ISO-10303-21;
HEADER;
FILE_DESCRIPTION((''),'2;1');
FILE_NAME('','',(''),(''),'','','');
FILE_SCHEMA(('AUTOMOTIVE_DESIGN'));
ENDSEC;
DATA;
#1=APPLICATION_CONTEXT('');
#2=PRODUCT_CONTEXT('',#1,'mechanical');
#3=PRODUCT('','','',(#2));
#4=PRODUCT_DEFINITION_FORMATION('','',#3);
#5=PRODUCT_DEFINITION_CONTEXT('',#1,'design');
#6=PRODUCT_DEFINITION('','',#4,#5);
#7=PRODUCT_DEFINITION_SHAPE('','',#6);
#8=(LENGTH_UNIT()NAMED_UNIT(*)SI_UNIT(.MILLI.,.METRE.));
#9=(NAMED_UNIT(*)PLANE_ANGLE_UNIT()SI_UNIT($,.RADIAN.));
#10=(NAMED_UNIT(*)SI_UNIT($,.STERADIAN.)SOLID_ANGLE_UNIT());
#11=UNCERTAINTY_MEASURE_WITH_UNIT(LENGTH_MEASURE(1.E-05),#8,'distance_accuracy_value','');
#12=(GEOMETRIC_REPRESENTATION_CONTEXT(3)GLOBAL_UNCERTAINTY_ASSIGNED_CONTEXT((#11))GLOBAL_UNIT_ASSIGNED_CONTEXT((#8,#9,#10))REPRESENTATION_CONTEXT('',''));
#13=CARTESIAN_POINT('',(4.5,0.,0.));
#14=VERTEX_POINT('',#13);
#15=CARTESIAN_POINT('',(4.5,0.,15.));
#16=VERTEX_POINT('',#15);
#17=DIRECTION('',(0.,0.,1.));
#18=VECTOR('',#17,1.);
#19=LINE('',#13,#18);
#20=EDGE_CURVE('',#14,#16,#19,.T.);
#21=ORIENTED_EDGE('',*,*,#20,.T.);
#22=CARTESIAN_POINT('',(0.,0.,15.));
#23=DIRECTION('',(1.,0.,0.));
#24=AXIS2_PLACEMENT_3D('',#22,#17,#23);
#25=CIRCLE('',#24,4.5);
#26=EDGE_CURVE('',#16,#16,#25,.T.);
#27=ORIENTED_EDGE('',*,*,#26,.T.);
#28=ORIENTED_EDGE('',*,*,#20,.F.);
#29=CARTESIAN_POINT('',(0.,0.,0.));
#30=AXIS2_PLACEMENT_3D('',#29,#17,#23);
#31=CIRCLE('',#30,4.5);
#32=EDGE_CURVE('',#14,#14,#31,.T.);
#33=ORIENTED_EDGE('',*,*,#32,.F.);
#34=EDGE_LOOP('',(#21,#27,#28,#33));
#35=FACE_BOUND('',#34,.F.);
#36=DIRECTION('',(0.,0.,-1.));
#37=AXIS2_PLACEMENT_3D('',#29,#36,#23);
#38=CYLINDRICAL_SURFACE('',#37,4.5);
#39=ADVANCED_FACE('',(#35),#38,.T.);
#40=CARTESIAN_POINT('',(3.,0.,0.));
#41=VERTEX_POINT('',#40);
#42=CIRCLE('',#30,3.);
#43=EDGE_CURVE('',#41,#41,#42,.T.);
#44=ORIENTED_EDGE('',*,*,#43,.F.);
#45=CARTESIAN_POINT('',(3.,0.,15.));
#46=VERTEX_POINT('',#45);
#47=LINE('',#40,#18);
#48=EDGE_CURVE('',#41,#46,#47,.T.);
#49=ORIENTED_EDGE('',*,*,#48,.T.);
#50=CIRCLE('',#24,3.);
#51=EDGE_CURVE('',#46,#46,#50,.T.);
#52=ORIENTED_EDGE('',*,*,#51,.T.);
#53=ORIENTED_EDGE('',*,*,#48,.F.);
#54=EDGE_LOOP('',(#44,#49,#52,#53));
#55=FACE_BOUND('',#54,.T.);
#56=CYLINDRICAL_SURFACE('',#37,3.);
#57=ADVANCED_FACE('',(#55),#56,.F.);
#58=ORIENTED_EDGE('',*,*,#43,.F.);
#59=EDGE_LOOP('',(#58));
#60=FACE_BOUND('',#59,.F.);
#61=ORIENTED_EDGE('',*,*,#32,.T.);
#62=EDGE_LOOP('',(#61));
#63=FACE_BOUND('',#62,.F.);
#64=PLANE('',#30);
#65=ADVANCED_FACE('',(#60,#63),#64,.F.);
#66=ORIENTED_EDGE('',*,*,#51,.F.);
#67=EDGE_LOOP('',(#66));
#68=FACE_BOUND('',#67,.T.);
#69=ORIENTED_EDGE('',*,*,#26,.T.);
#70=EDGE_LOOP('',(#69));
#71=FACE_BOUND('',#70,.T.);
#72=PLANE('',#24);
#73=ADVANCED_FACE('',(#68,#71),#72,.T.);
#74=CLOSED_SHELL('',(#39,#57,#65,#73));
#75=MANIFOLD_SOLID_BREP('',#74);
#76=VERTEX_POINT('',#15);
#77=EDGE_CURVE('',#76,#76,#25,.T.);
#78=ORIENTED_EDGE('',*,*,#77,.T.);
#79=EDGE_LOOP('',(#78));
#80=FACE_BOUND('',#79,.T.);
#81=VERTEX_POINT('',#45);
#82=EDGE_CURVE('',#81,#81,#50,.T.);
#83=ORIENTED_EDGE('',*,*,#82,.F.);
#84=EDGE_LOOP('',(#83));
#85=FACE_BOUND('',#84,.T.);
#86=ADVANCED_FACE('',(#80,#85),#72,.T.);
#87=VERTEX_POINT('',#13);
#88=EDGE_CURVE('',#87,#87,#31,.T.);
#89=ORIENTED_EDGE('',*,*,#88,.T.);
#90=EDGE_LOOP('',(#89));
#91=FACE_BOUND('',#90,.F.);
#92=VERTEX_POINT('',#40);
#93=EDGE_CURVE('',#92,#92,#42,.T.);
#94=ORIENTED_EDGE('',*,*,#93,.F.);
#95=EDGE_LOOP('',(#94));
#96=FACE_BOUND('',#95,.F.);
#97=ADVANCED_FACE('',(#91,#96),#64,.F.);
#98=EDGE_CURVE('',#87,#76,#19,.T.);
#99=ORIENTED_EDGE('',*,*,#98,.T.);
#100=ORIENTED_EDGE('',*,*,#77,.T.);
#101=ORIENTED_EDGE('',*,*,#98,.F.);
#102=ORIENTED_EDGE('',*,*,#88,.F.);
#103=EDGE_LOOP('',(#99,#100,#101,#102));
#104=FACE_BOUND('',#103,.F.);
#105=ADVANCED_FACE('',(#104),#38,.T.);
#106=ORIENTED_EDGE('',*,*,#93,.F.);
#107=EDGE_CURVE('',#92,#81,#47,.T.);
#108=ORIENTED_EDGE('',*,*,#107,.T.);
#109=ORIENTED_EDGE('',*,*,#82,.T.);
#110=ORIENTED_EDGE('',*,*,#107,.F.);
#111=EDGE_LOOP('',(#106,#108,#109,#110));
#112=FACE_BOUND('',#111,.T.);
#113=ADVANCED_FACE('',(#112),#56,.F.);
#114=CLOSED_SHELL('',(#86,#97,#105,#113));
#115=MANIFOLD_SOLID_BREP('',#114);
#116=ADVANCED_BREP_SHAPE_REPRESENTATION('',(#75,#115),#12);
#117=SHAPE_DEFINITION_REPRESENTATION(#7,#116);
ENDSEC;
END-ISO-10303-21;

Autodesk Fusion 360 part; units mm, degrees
sketch "Sketch1" plane through (0, 0, 0) normal (0, 0, 1) x (1, 0, 0)
  circle A0 centre (0, 0) radius 3
  circle A1 centre (0, 0) radius 4.5
  dimension "d1" = 6
  dimension "d2" = 9
extrude "Extrude1" add sketch "Sketch1" along normal blind 15 makes body 1
extrude "Extrude2" add sketch "Sketch1" along normal blind 15 separate body makes body 2
